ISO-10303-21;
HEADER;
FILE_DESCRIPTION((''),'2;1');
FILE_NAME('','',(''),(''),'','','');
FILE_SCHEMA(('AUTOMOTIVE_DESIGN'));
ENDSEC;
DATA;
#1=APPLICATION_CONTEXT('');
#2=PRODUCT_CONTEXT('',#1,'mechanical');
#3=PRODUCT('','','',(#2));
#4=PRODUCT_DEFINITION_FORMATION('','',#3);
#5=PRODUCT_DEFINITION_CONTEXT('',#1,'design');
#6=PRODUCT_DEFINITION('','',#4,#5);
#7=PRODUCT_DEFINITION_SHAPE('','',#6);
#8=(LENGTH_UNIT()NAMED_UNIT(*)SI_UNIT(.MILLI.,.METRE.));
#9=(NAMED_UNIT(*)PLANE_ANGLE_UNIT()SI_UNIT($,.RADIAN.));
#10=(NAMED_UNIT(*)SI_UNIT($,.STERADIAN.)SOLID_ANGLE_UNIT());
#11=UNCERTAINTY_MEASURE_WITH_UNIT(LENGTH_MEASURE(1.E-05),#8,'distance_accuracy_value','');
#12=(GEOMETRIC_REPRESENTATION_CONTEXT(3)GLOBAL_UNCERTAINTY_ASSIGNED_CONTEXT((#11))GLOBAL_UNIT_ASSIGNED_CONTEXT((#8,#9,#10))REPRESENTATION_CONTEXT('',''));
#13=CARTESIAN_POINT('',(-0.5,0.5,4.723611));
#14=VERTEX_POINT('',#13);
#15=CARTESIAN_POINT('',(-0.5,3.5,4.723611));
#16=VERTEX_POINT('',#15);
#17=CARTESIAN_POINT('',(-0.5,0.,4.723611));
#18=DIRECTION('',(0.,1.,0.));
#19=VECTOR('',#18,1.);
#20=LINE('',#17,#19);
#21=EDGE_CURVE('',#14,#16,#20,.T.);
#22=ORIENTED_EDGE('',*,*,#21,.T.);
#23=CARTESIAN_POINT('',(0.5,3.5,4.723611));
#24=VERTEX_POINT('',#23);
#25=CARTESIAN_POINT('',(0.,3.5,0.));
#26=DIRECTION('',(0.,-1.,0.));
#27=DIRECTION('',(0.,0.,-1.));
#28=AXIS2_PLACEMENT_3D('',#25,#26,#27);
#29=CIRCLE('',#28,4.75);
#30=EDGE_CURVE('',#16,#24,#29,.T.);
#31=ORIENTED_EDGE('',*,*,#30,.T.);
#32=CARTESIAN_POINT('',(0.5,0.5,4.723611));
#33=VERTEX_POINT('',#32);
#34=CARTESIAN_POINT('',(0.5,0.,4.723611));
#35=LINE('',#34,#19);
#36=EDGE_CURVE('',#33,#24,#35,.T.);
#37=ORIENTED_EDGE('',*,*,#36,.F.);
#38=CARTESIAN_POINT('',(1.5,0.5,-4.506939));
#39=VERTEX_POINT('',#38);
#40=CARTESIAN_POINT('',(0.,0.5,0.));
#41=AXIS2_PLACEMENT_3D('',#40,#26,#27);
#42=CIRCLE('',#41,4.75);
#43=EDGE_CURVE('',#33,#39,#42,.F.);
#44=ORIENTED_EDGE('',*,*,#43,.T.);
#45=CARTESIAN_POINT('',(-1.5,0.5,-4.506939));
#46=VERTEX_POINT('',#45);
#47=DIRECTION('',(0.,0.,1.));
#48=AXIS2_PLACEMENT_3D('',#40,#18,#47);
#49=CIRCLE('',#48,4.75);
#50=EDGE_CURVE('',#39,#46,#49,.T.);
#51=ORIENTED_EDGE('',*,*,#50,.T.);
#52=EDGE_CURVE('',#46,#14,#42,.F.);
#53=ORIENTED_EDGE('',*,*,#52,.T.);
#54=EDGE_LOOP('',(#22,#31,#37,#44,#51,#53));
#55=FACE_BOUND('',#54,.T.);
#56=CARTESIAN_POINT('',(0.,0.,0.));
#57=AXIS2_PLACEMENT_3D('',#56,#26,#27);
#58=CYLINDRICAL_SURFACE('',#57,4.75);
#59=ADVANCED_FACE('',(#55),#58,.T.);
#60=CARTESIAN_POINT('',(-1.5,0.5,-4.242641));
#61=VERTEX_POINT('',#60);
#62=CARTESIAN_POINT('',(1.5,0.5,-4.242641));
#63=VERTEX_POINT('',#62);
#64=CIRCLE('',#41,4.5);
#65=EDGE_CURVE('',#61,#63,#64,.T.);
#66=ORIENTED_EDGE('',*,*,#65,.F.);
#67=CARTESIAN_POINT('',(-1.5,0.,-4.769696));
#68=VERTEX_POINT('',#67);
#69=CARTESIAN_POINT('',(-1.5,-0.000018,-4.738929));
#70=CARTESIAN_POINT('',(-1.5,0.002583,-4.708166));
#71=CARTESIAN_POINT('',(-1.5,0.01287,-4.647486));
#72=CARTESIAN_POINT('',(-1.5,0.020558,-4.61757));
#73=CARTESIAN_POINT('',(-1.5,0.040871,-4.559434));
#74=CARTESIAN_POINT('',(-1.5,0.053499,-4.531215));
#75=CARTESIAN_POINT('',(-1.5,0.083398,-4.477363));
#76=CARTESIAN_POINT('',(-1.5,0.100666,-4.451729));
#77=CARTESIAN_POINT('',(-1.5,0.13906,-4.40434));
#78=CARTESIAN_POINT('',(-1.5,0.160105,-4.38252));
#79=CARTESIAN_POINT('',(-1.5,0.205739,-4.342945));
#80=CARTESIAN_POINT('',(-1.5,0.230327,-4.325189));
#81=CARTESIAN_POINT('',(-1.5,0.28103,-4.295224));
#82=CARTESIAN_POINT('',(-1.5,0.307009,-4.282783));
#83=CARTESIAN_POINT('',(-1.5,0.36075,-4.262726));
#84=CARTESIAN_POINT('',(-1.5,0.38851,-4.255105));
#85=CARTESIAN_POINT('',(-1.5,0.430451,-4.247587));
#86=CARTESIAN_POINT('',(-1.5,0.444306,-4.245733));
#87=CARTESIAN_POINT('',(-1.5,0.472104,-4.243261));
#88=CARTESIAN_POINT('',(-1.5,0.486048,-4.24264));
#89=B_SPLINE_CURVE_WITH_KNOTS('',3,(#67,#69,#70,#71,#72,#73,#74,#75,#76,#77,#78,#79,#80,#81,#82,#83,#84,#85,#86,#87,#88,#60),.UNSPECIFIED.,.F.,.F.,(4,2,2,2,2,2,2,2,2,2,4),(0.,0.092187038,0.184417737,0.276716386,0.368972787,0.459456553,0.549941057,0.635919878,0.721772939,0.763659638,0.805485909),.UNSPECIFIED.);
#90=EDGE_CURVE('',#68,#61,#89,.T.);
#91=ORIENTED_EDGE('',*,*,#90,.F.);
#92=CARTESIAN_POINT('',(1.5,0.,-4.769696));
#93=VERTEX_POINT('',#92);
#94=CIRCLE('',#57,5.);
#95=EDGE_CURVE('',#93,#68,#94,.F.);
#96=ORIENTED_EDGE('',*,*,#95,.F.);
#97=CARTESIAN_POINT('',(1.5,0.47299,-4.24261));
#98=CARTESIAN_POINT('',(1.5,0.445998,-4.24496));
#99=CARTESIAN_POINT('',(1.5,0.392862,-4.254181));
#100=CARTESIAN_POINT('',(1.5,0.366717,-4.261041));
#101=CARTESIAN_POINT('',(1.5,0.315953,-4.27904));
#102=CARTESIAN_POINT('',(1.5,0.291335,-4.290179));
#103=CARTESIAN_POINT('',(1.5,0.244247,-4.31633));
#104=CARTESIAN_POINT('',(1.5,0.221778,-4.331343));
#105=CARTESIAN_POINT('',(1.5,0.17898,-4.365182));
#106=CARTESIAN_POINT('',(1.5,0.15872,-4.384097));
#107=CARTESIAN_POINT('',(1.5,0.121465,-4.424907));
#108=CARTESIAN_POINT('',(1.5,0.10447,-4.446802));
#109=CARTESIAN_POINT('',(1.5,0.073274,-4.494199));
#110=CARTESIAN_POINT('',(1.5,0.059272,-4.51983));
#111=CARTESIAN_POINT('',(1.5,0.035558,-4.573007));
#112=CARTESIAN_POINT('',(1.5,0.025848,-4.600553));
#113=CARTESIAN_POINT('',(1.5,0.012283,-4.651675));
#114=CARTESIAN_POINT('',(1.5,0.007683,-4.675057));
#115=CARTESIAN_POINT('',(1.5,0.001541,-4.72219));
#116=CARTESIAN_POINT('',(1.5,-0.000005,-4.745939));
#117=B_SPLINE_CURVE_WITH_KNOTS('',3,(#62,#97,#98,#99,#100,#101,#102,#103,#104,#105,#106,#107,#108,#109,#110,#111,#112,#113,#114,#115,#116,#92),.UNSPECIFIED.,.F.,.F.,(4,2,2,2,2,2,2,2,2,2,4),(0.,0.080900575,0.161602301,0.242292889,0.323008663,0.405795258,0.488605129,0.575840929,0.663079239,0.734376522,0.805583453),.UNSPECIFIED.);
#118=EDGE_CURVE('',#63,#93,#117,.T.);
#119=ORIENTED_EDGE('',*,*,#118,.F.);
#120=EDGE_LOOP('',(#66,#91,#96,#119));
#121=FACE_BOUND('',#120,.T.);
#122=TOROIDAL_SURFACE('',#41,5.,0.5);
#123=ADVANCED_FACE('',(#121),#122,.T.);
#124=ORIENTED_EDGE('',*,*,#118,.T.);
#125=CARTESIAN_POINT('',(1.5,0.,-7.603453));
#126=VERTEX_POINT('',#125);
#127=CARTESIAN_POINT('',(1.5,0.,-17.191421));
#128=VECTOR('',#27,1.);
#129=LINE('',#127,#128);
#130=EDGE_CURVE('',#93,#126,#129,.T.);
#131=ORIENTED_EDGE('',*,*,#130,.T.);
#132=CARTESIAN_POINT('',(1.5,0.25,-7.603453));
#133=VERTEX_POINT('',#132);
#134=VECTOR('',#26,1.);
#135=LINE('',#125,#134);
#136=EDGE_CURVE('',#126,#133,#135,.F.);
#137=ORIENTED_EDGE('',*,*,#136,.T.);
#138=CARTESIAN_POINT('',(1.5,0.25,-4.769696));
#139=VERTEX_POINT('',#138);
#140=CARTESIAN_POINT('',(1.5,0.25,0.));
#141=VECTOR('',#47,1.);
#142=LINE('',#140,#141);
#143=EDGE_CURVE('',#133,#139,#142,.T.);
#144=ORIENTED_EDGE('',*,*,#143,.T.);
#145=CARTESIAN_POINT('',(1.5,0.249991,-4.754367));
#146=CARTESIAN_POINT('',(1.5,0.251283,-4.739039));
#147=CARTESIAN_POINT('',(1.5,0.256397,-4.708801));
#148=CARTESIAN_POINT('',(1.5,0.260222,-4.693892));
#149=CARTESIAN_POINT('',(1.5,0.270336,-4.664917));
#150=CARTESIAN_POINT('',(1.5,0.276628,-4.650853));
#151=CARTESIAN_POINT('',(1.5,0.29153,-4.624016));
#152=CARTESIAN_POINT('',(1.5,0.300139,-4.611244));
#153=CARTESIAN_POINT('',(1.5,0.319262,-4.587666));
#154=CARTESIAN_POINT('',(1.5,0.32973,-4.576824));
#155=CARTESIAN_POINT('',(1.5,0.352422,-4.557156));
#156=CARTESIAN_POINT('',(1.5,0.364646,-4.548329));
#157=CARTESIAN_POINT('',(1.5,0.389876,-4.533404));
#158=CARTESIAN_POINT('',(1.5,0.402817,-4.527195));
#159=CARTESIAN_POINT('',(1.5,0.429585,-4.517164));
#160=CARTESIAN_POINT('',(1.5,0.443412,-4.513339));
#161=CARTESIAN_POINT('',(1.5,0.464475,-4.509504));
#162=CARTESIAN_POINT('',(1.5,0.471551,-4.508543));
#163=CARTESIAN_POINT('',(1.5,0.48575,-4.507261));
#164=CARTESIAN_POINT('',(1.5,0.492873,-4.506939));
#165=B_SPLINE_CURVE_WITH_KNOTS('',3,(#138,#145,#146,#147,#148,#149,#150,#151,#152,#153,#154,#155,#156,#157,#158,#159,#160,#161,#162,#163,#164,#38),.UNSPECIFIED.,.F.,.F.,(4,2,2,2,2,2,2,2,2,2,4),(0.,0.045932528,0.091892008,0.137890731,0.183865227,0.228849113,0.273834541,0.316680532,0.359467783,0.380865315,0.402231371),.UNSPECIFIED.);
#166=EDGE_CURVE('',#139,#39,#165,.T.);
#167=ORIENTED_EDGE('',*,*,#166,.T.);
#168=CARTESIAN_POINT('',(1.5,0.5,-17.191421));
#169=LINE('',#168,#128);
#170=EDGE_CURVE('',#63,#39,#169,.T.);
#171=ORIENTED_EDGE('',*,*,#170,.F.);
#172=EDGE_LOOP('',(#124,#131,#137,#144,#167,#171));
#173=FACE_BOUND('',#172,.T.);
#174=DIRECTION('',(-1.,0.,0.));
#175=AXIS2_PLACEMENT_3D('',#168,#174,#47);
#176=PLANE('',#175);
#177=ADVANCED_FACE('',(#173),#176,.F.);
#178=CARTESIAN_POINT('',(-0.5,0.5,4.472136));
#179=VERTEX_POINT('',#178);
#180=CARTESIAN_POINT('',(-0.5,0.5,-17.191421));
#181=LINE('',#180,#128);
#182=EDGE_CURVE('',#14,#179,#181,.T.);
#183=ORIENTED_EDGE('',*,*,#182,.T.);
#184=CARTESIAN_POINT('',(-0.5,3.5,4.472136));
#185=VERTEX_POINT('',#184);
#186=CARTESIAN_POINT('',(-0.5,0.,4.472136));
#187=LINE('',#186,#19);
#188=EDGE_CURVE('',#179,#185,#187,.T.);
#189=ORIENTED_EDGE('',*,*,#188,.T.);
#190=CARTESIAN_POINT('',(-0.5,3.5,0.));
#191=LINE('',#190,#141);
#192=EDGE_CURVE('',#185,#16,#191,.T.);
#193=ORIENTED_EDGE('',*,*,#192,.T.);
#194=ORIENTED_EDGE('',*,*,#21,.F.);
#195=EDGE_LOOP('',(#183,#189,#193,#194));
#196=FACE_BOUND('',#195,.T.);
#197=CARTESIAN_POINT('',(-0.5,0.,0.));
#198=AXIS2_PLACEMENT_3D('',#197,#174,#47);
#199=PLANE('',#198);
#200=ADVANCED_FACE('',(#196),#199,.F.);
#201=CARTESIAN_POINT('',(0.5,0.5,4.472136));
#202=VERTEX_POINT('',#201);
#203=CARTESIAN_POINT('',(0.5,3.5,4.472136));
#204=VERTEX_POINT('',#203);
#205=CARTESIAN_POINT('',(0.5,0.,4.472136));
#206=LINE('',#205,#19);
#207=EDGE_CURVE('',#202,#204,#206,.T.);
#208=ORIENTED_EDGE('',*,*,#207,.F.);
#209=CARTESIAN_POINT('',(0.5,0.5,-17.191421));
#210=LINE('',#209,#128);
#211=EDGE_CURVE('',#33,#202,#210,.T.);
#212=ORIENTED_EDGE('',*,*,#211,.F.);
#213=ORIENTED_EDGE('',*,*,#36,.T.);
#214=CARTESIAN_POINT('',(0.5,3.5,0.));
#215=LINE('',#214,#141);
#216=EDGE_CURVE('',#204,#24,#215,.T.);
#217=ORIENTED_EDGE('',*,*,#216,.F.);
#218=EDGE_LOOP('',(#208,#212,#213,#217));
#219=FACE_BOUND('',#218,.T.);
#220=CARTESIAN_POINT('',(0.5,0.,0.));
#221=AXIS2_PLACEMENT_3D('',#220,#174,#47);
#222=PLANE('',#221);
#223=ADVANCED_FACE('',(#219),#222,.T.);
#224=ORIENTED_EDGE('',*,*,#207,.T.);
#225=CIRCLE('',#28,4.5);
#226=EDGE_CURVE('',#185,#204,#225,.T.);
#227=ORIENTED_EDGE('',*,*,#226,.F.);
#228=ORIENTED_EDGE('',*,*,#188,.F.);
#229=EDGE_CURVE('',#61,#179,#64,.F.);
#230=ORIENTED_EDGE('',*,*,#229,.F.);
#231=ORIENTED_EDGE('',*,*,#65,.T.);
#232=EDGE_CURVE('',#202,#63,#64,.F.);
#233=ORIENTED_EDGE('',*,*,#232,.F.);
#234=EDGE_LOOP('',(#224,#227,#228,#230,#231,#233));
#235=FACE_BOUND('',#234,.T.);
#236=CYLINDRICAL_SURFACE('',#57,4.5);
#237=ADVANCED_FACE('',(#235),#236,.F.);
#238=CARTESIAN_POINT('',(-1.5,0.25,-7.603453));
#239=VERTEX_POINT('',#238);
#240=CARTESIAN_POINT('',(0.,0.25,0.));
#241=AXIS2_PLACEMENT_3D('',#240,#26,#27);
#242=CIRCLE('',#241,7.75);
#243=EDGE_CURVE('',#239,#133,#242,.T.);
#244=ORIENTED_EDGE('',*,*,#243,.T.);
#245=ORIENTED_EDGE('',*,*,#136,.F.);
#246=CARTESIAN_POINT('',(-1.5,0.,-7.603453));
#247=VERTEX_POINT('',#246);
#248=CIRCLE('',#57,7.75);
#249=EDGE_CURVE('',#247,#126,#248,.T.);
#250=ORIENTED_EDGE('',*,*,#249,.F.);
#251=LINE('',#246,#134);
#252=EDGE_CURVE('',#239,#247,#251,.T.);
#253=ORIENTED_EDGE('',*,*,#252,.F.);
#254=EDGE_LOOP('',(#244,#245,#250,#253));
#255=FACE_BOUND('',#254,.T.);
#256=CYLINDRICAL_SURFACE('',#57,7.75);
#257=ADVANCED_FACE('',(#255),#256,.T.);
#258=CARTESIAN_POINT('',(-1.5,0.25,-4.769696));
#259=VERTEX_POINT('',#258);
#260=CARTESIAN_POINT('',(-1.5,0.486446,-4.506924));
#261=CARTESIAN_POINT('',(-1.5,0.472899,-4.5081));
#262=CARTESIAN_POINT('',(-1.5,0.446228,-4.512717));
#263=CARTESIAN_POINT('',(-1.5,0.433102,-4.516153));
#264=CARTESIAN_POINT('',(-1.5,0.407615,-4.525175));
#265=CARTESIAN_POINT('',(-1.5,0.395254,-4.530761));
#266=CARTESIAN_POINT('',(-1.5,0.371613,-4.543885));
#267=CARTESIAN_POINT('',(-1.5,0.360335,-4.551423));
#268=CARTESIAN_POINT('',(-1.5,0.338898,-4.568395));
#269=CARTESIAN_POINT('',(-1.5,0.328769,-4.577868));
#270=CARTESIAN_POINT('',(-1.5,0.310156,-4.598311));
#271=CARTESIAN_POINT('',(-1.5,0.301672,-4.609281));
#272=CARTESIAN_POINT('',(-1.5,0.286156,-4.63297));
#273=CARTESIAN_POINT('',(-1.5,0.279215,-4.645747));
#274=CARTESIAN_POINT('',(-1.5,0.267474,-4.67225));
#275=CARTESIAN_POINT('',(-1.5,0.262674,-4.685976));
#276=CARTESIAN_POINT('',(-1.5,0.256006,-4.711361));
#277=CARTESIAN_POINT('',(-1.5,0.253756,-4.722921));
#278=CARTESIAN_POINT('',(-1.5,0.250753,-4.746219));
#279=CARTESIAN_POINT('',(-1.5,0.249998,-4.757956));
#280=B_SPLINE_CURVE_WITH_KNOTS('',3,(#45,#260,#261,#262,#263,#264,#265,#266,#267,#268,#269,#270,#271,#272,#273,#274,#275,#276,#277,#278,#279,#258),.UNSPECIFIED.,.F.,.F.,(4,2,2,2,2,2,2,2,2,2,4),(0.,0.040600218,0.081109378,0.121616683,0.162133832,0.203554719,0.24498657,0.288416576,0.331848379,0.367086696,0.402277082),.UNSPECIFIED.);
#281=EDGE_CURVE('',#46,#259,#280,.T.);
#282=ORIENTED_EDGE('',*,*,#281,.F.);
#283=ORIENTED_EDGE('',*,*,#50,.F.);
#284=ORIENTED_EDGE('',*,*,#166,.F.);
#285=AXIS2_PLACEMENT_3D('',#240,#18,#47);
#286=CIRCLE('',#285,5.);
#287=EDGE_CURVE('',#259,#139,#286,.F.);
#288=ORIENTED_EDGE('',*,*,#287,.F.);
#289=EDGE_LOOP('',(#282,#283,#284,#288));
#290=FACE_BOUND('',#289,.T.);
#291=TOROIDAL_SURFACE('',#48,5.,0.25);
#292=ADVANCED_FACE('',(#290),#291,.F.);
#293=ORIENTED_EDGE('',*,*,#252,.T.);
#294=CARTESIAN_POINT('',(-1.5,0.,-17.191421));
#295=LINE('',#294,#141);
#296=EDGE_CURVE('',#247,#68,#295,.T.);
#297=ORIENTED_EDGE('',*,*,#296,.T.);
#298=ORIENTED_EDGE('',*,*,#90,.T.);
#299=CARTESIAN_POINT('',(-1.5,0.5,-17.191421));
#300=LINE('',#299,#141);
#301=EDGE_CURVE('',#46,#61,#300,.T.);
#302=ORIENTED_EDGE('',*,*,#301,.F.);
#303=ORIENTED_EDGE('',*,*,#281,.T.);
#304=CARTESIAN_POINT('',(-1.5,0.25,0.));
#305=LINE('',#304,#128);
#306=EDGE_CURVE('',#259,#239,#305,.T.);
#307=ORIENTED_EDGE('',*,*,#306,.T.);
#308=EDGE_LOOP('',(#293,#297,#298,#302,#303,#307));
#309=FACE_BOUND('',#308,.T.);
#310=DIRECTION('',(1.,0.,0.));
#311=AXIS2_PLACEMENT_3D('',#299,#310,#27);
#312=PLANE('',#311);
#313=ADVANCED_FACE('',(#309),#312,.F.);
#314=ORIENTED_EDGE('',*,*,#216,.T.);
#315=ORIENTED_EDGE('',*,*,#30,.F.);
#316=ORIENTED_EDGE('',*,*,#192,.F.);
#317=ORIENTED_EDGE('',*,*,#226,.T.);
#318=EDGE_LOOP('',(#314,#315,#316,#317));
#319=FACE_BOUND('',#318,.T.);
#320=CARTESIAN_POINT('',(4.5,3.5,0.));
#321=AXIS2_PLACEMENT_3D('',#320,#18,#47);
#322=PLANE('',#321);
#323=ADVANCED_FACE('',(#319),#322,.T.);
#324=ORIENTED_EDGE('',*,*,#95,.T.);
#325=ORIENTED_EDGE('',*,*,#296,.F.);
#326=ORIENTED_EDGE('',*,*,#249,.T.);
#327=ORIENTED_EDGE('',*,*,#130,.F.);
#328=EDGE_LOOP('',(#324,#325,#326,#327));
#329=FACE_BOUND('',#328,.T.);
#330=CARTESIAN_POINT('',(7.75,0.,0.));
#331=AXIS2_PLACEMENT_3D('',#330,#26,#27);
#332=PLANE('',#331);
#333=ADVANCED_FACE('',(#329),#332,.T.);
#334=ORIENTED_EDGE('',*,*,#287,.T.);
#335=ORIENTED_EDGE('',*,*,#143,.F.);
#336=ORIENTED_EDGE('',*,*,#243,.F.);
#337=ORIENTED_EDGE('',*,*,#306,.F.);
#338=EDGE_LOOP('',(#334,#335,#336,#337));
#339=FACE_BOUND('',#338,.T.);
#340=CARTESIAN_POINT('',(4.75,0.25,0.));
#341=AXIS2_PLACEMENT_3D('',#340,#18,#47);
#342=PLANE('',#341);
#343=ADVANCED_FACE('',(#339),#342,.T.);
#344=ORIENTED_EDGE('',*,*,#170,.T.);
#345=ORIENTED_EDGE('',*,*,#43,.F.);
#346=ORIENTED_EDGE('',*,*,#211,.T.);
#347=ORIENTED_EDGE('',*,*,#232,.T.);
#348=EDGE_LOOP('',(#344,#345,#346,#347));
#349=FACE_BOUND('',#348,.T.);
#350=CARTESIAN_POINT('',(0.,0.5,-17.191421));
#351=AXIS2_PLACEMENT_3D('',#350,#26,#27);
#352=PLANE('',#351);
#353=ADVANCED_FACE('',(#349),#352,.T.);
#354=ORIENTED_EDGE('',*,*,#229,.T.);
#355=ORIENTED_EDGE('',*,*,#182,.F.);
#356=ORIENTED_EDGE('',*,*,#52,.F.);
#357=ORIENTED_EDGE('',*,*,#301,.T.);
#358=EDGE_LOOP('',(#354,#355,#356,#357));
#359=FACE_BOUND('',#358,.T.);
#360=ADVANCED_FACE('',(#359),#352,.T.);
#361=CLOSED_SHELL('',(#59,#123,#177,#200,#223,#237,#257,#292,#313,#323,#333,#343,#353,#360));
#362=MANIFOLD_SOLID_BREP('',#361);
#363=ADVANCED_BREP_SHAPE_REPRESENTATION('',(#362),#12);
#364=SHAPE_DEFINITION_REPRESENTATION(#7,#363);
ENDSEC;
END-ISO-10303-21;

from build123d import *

# Parameters (mm, degrees)
CUT_EXTRUDE_1_DEPTH = 0.5
CUT_EXTRUDE_2_DEPTH = 4.5
FILLET_1_R          = 0.25
FILLET_2_R          = 0.5


with BuildPart() as part:
    # Эскиз1 → Повернуть1 (revolve)
    with BuildSketch(Plane.XY):
        Polygon((4.5, 0), (4.5, 3.5), (4.75, 3.5), (4.75, 0.25), (7.75, 0.25), (7.75, 0), align=None)
    revolve(axis=Axis((0, 0, 0), (0, 1, 0)))

    # Эскиз2 → Вырез-Вытянуть1 (cut)
    with BuildSketch(Plane.XZ):
        with BuildLine():
            Line((-1.5, -7.603453163), (-1.5, -2.4))
            Line((-1.5, -2.4), (1.5, -2.4))
            Line((1.5, -2.4), (1.5, -7.603453163))
            ThreePointArc((1.5, -7.603453163), (0, 7.75), (-1.5, -7.603453163))
        make_face()
    extrude(amount=-CUT_EXTRUDE_1_DEPTH, mode=Mode.SUBTRACT)

    # Эскиз3 → Вырез-Вытянуть2 (cut, through all)
    with BuildSketch(Plane(origin=(0, 3.5, 0), x_dir=(1, 0, 0), z_dir=(0, 1, 0))):
        with BuildLine():
            ThreePointArc((0.5, -4.472135955), (0, -4.5), (-0.5, -4.472135955))
            Line((-0.5, -4.472135955), (-0.5, -4.723610907))
            ThreePointArc((-0.5, -4.723610907), (0, -4.75), (0.5, -4.723610907))
            Line((0.5, -4.723610907), (0.5, -4.472135955))
        make_face()
    extrude(amount=-CUT_EXTRUDE_2_DEPTH, mode=Mode.SUBTRACT)

    # Скругление1
    fillet_1_edges = [part.edges().sort_by_distance(p)[0] for p in [
        (0, 0.25, -4.75),
    ]]
    fillet(fillet_1_edges, radius=FILLET_1_R)

    # Скругление2
    fillet_2_edges = [part.edges().sort_by_distance(p)[0] for p in [
        (0, 0, -4.5),
    ]]
    fillet(fillet_2_edges, radius=FILLET_2_R)


solid = part.part
